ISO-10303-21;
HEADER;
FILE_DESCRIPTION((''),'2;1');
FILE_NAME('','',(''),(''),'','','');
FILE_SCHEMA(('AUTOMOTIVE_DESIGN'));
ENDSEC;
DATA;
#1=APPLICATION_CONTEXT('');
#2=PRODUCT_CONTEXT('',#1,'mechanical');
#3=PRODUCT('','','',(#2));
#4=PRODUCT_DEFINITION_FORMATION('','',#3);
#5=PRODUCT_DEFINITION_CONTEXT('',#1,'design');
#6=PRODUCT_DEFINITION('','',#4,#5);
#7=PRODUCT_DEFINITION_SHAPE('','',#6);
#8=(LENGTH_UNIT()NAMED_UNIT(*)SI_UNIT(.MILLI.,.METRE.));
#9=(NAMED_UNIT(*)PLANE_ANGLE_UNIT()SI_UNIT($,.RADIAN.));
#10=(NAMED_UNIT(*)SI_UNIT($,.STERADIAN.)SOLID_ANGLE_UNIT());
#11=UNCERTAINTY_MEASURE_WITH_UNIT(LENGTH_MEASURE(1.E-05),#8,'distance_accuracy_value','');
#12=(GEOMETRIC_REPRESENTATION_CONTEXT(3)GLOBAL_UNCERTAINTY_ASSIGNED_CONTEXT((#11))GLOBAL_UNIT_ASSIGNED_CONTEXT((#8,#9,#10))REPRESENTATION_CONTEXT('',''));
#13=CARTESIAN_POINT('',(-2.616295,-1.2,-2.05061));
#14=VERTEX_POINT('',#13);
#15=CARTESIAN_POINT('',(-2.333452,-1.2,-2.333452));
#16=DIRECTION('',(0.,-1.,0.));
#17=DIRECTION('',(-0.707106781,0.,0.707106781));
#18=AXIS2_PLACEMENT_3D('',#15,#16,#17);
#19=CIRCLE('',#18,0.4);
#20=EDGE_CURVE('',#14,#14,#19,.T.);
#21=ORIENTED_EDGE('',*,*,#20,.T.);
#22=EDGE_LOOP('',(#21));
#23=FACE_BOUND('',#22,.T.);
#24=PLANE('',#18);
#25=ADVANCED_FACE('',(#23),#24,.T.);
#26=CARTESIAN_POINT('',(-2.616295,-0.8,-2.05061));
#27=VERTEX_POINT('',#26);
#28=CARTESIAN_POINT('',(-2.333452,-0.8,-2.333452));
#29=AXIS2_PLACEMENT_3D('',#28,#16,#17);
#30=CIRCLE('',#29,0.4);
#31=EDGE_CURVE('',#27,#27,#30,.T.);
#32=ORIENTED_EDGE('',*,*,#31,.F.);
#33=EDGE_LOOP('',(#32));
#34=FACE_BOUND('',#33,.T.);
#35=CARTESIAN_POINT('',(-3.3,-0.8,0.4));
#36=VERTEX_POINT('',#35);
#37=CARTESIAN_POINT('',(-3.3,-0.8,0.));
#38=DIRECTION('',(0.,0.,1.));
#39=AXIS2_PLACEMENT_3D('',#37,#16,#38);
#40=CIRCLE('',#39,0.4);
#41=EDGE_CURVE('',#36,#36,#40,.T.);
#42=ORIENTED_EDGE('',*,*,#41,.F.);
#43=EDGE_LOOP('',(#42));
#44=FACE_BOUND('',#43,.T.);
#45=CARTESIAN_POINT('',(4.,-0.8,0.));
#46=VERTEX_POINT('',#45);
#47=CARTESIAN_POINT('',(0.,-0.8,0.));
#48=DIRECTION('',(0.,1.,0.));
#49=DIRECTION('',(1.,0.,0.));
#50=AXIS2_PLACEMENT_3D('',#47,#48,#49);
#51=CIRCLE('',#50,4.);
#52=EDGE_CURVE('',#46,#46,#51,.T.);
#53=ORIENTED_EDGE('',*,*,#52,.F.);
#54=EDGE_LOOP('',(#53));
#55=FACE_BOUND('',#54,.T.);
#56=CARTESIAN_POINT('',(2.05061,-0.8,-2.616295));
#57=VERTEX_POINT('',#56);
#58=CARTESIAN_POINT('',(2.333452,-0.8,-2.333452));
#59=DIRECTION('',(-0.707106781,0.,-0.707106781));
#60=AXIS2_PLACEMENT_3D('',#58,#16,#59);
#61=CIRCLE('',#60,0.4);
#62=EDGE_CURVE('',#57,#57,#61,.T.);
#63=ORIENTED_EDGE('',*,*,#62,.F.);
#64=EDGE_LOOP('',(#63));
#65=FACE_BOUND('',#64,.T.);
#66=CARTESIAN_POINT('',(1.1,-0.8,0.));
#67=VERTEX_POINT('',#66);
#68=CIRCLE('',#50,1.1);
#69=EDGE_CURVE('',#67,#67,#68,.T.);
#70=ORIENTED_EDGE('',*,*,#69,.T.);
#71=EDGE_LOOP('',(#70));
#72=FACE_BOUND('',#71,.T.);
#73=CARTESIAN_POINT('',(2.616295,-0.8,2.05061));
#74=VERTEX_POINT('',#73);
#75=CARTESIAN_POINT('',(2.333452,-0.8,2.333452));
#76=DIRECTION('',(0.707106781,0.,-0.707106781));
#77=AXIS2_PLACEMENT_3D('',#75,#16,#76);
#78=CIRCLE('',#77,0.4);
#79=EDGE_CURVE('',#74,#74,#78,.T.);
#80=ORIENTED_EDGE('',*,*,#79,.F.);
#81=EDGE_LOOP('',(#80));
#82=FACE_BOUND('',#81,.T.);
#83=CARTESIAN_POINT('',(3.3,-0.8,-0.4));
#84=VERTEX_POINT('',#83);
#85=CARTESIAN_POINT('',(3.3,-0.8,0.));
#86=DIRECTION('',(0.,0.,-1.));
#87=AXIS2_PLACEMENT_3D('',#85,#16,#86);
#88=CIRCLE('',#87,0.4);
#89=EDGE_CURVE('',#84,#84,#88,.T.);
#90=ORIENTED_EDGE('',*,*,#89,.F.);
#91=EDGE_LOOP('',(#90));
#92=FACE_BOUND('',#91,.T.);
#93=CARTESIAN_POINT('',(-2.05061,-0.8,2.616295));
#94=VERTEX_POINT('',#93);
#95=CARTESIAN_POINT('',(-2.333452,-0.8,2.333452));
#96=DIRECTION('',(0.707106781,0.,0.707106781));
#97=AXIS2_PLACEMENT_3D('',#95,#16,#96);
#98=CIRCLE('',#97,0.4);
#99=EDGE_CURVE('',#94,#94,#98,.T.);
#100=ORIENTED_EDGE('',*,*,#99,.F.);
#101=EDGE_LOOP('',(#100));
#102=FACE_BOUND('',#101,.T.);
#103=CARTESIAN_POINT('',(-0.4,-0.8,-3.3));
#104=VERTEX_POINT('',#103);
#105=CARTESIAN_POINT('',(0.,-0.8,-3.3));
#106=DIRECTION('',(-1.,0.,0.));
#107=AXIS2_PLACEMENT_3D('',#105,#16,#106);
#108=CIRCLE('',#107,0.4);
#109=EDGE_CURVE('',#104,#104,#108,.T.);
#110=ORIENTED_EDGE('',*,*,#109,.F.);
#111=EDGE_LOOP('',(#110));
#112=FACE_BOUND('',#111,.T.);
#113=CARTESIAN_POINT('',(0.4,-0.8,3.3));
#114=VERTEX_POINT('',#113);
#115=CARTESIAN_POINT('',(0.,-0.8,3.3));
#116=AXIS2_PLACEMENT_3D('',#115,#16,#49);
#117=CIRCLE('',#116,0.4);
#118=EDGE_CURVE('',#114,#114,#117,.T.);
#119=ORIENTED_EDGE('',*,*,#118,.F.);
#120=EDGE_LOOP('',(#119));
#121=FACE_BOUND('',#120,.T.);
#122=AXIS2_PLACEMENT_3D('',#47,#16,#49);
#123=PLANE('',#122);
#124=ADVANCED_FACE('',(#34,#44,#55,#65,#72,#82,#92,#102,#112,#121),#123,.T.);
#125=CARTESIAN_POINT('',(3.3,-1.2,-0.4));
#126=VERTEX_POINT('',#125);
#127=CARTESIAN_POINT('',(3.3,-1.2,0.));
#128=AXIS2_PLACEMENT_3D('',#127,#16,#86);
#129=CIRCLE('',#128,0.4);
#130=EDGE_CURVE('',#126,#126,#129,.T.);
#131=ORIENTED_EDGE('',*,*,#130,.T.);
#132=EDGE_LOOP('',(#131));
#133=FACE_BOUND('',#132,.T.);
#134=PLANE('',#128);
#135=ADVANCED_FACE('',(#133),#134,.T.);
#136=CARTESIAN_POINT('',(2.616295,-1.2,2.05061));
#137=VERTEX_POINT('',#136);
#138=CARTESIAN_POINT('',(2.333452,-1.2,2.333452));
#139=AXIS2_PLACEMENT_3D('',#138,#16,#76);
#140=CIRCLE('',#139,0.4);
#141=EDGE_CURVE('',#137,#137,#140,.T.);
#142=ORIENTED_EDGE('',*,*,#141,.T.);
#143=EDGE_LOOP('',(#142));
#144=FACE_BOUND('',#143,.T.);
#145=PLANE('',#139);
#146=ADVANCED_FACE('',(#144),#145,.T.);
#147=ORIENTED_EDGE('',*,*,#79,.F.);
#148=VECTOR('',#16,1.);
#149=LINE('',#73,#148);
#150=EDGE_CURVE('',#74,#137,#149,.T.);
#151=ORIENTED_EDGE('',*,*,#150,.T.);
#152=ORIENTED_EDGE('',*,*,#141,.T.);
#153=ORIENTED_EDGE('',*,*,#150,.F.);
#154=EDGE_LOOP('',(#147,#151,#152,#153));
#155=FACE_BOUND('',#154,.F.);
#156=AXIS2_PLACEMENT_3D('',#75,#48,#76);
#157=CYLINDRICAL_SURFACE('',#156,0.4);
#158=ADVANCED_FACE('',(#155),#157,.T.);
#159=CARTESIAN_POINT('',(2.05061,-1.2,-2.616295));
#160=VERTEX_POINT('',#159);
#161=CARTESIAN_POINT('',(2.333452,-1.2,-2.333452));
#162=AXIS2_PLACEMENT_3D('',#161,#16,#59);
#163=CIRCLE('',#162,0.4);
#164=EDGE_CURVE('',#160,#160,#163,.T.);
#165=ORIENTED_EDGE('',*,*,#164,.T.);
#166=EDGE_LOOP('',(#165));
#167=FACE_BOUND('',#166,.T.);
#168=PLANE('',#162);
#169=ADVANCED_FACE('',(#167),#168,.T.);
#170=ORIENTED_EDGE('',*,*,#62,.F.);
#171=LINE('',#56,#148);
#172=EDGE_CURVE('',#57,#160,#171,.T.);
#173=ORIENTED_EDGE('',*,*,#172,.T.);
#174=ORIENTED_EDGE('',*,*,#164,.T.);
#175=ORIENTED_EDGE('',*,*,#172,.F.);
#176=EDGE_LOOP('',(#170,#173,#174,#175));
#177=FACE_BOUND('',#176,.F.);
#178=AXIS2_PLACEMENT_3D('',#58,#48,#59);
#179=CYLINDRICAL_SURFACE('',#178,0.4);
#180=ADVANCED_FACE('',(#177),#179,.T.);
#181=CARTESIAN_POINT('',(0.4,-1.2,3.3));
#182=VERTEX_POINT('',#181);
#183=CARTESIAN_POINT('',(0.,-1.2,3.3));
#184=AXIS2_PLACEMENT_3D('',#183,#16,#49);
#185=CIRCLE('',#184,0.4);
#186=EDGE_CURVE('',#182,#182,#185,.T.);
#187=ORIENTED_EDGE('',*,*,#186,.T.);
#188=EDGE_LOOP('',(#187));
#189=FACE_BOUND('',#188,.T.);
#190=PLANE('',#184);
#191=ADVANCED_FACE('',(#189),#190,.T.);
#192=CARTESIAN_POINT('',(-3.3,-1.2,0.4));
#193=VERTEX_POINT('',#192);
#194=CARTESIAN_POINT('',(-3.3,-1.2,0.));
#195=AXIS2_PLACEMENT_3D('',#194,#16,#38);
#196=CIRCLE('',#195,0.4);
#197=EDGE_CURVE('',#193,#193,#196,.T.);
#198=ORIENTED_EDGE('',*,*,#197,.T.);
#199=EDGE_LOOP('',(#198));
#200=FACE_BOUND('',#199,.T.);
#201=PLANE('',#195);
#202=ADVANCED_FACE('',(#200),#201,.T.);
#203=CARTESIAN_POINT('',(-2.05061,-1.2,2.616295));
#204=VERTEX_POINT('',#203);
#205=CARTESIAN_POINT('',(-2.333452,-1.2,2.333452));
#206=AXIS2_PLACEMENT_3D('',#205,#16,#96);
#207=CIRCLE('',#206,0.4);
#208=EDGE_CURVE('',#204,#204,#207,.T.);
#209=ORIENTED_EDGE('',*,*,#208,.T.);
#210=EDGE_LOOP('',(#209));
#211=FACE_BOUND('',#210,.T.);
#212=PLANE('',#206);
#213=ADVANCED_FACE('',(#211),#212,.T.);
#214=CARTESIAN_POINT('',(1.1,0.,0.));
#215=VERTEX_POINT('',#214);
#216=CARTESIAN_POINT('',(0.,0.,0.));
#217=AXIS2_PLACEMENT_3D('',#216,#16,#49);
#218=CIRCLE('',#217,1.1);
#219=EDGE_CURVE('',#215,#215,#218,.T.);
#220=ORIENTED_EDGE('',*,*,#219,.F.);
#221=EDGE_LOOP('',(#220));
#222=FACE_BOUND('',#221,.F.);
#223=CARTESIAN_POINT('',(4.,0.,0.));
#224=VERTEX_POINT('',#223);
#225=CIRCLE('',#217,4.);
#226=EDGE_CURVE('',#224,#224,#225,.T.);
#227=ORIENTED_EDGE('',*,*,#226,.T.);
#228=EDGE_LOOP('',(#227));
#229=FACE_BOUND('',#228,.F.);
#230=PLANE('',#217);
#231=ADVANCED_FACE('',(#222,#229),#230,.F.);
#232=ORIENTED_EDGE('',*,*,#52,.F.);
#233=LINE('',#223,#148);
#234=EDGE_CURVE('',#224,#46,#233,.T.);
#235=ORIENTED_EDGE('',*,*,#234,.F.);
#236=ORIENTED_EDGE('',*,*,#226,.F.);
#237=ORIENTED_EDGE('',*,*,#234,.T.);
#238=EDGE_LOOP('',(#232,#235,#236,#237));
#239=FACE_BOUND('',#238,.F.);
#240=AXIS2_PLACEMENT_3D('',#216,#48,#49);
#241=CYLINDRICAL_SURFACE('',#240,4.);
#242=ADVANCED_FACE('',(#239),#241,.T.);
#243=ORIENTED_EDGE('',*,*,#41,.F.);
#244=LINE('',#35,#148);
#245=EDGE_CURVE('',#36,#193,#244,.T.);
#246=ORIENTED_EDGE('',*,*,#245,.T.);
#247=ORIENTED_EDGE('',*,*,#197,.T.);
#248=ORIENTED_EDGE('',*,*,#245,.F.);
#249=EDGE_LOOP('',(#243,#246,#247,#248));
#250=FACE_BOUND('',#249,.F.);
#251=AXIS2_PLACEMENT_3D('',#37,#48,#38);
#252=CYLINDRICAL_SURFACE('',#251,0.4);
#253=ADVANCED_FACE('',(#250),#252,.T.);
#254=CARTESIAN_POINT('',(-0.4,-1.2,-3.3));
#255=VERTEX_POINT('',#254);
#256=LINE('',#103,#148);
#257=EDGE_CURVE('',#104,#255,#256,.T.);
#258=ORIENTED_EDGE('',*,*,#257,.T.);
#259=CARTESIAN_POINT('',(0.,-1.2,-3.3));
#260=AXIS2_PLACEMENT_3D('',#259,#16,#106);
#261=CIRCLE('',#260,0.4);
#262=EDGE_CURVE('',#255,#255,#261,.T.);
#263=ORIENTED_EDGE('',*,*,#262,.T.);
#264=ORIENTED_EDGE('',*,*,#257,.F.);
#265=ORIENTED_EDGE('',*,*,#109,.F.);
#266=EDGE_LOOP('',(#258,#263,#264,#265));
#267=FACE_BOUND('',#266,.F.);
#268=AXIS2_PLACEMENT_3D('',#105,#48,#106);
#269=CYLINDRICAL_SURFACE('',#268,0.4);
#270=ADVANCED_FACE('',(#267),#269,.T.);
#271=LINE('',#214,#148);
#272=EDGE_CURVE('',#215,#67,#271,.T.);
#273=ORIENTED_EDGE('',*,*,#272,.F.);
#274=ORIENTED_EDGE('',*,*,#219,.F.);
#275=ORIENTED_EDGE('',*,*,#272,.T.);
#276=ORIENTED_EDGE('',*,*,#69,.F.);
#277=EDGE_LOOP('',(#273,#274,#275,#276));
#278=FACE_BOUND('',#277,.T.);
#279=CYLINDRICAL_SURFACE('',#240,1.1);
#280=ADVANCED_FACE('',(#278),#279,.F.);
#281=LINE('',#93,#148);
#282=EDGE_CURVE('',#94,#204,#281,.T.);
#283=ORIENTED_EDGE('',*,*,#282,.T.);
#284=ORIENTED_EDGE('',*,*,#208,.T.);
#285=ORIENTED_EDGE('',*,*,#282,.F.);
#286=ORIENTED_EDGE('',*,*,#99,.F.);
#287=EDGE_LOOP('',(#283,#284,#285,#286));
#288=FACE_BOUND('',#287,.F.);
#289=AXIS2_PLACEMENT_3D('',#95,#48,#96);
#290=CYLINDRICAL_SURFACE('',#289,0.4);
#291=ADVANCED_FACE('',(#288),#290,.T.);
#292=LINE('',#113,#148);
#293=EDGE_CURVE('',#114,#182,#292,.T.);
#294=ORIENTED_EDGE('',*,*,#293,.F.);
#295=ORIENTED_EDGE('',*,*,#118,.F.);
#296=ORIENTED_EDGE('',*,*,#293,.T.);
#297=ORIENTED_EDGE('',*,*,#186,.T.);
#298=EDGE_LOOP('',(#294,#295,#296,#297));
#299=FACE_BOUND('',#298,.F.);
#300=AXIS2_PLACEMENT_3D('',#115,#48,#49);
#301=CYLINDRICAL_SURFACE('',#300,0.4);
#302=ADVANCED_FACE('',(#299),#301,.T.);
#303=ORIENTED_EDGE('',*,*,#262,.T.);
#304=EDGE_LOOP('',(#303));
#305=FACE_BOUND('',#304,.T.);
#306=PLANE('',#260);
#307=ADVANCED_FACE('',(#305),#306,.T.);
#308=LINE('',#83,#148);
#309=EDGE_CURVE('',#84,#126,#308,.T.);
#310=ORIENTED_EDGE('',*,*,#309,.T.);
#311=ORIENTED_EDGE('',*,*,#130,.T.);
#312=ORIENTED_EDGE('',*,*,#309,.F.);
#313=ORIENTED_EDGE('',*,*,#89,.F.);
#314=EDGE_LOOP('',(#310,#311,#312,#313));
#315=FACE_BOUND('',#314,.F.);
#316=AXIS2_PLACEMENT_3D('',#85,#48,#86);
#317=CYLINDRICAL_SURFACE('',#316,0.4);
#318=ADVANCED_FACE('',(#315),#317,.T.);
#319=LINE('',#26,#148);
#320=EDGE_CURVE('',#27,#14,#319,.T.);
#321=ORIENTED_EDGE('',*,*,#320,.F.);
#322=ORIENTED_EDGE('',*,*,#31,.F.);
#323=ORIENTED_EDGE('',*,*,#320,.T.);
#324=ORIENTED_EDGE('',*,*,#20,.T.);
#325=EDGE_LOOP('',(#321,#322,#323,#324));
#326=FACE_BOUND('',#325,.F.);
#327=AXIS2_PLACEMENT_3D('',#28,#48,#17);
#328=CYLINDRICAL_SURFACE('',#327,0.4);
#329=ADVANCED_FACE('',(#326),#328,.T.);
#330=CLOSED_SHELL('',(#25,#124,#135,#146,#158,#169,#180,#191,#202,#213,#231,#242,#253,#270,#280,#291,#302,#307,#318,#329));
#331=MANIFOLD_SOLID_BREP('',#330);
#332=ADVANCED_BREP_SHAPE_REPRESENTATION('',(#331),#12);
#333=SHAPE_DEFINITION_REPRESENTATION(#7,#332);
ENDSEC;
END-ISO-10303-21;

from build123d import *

# Parameters (mm, degrees)
F0_R     = 4
F0_R_2   = 1.1
F1_DEPTH = 0.8
F2_R     = 0.4
F3_DEPTH = 0.4
F4_COUNT = 8


with BuildPart() as f1:
    # F0 (on Front) → F1 (new body)
    with BuildSketch(Plane.XZ):
        Circle(F0_R)
        Circle(F0_R_2, mode=Mode.SUBTRACT)
    extrude(amount=F1_DEPTH)

    # F2 (on face) → F3 (join)
    with BuildSketch(Plane.XZ.offset(0.8)):
        with Locations((0, 3.3)):
            Circle(F2_R)
    extrude(amount=F3_DEPTH)

    # F4: F1 ×8 about axis
    f4_axis = Axis((0, -0.8, 0), (0, -1, 0))


with BuildPart() as f1_1:
    add(f1.part)
    for i in range(1, F4_COUNT):
        add(f1.part.rotate(f4_axis, i * 360 / F4_COUNT))


solid = f1_1.part
